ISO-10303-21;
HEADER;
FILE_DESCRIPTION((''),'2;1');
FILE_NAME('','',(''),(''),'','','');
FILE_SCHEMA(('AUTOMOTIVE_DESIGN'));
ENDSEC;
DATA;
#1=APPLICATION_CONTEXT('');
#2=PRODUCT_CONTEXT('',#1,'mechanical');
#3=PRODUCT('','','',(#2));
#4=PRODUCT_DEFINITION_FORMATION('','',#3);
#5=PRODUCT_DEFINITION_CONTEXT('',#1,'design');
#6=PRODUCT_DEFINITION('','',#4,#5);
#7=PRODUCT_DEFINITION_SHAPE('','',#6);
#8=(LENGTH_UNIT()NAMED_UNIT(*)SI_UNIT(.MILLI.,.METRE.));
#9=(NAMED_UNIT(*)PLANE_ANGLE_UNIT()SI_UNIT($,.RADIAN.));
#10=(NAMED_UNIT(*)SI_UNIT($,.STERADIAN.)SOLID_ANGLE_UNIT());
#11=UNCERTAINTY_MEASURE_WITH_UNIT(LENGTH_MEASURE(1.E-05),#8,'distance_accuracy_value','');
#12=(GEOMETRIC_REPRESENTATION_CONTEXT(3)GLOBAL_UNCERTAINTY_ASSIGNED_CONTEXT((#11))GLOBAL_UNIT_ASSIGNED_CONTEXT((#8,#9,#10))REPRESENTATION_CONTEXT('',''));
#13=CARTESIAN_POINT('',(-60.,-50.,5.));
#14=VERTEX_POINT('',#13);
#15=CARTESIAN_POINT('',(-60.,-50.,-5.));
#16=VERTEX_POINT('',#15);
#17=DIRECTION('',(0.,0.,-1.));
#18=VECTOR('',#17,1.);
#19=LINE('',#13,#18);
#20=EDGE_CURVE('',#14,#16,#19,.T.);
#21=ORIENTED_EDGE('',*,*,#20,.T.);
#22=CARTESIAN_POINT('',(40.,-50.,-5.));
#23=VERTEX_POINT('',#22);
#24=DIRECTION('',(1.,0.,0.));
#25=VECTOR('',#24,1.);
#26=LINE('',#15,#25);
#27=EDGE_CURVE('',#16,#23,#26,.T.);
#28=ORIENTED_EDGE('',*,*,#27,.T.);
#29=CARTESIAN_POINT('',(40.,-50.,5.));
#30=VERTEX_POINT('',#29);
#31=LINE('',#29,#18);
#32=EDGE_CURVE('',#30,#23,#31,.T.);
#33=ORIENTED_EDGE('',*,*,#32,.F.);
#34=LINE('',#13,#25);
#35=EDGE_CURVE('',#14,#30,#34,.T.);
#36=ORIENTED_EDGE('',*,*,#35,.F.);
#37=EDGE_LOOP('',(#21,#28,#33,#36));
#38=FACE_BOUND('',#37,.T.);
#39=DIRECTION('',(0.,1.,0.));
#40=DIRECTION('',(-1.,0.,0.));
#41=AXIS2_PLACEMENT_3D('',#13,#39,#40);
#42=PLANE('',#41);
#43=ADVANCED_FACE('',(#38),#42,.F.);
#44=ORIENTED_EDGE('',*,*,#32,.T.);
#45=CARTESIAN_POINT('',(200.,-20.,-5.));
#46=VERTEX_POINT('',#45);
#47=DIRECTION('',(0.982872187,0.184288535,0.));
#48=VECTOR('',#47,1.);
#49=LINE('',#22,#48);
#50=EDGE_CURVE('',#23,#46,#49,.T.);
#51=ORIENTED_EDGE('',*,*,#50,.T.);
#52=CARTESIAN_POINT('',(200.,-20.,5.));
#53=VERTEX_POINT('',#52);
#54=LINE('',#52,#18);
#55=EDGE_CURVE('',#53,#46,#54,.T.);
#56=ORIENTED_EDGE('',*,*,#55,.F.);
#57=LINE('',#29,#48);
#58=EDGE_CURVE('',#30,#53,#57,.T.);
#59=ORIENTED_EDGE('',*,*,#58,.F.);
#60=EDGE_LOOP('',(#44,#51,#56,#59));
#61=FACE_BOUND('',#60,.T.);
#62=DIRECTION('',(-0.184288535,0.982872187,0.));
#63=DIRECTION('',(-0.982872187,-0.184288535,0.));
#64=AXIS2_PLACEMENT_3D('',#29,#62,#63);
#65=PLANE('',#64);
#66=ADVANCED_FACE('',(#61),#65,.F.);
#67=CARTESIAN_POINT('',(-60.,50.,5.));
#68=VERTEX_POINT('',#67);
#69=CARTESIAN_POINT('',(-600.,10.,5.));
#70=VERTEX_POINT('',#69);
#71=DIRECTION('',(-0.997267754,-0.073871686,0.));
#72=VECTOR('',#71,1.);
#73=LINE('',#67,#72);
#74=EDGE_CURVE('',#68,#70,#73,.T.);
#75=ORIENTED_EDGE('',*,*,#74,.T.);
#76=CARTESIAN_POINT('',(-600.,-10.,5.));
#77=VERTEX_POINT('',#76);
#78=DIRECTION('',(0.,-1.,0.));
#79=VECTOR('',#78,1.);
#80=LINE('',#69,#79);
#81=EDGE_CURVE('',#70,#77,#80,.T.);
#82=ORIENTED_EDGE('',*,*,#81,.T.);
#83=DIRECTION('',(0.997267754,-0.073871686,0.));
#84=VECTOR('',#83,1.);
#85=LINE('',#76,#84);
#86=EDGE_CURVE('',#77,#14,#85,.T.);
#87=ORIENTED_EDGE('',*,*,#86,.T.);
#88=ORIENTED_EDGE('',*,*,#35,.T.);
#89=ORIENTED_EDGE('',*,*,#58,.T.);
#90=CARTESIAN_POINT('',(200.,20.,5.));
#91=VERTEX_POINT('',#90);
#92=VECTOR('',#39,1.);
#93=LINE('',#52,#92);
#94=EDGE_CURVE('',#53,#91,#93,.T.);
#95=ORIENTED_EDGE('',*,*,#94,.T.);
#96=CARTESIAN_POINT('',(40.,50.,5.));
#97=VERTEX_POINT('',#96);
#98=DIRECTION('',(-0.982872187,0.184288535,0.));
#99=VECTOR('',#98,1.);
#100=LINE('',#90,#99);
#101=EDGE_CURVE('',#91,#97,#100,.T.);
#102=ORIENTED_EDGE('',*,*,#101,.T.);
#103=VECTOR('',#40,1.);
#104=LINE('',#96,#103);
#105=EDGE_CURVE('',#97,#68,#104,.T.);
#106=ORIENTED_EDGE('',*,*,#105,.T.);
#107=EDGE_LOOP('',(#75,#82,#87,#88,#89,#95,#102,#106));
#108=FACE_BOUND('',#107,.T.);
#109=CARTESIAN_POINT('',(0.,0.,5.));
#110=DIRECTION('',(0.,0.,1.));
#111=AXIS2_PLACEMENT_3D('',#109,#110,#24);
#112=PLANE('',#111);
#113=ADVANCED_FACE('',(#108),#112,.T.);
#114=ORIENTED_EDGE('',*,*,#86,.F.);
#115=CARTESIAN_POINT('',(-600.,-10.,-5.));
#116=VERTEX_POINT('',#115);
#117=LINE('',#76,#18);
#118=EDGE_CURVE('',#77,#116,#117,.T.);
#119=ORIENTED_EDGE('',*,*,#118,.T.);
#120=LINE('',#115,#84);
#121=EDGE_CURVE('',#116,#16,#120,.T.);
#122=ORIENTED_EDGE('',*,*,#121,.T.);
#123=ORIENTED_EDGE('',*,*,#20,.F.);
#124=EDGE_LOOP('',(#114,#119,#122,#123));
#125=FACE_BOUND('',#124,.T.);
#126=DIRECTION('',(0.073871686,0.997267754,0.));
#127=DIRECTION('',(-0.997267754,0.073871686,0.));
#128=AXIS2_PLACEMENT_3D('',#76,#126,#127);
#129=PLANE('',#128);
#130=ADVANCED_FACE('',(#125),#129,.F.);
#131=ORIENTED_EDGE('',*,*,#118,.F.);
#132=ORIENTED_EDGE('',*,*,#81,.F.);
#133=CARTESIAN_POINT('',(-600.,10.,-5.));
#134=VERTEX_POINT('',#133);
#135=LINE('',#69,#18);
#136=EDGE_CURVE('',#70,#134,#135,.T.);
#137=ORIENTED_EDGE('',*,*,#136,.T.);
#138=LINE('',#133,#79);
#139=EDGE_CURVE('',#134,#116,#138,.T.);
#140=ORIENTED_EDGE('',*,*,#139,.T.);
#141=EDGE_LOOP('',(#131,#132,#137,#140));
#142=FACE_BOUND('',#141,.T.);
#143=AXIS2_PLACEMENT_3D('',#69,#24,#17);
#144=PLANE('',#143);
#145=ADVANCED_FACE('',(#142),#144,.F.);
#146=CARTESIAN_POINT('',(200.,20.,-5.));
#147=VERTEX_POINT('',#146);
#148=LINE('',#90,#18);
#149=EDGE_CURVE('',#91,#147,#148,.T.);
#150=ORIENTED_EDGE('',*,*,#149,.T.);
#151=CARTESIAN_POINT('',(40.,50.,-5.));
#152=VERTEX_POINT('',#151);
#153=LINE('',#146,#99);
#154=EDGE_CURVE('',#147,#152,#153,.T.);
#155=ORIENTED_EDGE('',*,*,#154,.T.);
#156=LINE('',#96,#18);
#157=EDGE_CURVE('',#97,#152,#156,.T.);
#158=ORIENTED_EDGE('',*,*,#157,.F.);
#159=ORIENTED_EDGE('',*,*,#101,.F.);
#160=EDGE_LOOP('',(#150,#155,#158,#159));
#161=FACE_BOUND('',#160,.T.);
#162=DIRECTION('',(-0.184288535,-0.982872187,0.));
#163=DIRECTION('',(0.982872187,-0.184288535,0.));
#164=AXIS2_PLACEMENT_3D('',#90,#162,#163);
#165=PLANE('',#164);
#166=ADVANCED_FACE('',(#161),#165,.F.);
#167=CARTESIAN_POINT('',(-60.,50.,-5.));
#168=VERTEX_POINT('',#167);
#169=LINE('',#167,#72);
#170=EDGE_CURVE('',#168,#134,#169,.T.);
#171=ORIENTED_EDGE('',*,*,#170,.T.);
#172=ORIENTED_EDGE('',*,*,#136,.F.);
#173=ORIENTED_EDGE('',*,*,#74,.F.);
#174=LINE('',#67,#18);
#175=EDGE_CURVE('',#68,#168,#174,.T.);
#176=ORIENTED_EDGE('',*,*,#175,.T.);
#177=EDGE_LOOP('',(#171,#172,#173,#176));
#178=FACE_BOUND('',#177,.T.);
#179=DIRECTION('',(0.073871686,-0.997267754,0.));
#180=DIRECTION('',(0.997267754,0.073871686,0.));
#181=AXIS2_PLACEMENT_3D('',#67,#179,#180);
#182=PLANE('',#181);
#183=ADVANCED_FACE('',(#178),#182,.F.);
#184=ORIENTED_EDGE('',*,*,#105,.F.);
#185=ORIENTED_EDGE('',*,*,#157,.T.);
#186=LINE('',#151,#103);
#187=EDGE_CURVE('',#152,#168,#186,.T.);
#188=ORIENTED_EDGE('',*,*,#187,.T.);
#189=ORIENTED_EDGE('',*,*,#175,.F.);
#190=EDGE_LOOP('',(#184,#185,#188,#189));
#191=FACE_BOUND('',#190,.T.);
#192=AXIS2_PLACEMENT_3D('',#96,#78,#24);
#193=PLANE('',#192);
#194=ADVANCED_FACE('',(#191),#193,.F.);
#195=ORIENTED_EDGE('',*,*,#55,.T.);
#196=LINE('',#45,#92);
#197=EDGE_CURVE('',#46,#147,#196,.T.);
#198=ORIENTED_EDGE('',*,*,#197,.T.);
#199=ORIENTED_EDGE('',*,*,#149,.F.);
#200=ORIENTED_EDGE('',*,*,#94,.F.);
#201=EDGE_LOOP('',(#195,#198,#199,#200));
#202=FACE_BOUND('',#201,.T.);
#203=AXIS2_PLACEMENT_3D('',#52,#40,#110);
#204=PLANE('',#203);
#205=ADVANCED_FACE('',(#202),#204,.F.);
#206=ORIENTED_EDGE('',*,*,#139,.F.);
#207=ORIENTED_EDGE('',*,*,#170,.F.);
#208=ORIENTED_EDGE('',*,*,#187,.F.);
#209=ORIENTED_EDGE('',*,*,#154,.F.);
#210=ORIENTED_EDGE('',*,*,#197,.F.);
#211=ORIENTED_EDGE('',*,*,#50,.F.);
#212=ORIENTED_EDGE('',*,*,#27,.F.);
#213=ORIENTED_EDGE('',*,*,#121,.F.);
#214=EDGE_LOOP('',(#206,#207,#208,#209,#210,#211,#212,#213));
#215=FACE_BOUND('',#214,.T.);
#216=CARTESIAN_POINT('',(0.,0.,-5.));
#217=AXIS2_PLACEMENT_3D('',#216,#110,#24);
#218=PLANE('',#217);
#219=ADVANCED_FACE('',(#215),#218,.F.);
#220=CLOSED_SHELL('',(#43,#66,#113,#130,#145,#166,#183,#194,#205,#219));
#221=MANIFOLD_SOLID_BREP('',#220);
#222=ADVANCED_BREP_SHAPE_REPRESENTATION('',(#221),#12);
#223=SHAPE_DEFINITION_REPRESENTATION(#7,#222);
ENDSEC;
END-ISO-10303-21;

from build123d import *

# Parameters (mm, degrees)
BOSS_EXTRUDE1_DEPTH = 5


with BuildPart() as part:
    # Sketch1 → Boss-Extrude1 (new, symmetric)
    with BuildSketch(Plane.XY):
        Polygon((200, 20), (40, 50), (-60, 50), (-600, 10), (-600, -10), (-60, -50), (40, -50), (200, -20), align=None)
    extrude(amount=BOSS_EXTRUDE1_DEPTH, both=True)


solid = part.part
